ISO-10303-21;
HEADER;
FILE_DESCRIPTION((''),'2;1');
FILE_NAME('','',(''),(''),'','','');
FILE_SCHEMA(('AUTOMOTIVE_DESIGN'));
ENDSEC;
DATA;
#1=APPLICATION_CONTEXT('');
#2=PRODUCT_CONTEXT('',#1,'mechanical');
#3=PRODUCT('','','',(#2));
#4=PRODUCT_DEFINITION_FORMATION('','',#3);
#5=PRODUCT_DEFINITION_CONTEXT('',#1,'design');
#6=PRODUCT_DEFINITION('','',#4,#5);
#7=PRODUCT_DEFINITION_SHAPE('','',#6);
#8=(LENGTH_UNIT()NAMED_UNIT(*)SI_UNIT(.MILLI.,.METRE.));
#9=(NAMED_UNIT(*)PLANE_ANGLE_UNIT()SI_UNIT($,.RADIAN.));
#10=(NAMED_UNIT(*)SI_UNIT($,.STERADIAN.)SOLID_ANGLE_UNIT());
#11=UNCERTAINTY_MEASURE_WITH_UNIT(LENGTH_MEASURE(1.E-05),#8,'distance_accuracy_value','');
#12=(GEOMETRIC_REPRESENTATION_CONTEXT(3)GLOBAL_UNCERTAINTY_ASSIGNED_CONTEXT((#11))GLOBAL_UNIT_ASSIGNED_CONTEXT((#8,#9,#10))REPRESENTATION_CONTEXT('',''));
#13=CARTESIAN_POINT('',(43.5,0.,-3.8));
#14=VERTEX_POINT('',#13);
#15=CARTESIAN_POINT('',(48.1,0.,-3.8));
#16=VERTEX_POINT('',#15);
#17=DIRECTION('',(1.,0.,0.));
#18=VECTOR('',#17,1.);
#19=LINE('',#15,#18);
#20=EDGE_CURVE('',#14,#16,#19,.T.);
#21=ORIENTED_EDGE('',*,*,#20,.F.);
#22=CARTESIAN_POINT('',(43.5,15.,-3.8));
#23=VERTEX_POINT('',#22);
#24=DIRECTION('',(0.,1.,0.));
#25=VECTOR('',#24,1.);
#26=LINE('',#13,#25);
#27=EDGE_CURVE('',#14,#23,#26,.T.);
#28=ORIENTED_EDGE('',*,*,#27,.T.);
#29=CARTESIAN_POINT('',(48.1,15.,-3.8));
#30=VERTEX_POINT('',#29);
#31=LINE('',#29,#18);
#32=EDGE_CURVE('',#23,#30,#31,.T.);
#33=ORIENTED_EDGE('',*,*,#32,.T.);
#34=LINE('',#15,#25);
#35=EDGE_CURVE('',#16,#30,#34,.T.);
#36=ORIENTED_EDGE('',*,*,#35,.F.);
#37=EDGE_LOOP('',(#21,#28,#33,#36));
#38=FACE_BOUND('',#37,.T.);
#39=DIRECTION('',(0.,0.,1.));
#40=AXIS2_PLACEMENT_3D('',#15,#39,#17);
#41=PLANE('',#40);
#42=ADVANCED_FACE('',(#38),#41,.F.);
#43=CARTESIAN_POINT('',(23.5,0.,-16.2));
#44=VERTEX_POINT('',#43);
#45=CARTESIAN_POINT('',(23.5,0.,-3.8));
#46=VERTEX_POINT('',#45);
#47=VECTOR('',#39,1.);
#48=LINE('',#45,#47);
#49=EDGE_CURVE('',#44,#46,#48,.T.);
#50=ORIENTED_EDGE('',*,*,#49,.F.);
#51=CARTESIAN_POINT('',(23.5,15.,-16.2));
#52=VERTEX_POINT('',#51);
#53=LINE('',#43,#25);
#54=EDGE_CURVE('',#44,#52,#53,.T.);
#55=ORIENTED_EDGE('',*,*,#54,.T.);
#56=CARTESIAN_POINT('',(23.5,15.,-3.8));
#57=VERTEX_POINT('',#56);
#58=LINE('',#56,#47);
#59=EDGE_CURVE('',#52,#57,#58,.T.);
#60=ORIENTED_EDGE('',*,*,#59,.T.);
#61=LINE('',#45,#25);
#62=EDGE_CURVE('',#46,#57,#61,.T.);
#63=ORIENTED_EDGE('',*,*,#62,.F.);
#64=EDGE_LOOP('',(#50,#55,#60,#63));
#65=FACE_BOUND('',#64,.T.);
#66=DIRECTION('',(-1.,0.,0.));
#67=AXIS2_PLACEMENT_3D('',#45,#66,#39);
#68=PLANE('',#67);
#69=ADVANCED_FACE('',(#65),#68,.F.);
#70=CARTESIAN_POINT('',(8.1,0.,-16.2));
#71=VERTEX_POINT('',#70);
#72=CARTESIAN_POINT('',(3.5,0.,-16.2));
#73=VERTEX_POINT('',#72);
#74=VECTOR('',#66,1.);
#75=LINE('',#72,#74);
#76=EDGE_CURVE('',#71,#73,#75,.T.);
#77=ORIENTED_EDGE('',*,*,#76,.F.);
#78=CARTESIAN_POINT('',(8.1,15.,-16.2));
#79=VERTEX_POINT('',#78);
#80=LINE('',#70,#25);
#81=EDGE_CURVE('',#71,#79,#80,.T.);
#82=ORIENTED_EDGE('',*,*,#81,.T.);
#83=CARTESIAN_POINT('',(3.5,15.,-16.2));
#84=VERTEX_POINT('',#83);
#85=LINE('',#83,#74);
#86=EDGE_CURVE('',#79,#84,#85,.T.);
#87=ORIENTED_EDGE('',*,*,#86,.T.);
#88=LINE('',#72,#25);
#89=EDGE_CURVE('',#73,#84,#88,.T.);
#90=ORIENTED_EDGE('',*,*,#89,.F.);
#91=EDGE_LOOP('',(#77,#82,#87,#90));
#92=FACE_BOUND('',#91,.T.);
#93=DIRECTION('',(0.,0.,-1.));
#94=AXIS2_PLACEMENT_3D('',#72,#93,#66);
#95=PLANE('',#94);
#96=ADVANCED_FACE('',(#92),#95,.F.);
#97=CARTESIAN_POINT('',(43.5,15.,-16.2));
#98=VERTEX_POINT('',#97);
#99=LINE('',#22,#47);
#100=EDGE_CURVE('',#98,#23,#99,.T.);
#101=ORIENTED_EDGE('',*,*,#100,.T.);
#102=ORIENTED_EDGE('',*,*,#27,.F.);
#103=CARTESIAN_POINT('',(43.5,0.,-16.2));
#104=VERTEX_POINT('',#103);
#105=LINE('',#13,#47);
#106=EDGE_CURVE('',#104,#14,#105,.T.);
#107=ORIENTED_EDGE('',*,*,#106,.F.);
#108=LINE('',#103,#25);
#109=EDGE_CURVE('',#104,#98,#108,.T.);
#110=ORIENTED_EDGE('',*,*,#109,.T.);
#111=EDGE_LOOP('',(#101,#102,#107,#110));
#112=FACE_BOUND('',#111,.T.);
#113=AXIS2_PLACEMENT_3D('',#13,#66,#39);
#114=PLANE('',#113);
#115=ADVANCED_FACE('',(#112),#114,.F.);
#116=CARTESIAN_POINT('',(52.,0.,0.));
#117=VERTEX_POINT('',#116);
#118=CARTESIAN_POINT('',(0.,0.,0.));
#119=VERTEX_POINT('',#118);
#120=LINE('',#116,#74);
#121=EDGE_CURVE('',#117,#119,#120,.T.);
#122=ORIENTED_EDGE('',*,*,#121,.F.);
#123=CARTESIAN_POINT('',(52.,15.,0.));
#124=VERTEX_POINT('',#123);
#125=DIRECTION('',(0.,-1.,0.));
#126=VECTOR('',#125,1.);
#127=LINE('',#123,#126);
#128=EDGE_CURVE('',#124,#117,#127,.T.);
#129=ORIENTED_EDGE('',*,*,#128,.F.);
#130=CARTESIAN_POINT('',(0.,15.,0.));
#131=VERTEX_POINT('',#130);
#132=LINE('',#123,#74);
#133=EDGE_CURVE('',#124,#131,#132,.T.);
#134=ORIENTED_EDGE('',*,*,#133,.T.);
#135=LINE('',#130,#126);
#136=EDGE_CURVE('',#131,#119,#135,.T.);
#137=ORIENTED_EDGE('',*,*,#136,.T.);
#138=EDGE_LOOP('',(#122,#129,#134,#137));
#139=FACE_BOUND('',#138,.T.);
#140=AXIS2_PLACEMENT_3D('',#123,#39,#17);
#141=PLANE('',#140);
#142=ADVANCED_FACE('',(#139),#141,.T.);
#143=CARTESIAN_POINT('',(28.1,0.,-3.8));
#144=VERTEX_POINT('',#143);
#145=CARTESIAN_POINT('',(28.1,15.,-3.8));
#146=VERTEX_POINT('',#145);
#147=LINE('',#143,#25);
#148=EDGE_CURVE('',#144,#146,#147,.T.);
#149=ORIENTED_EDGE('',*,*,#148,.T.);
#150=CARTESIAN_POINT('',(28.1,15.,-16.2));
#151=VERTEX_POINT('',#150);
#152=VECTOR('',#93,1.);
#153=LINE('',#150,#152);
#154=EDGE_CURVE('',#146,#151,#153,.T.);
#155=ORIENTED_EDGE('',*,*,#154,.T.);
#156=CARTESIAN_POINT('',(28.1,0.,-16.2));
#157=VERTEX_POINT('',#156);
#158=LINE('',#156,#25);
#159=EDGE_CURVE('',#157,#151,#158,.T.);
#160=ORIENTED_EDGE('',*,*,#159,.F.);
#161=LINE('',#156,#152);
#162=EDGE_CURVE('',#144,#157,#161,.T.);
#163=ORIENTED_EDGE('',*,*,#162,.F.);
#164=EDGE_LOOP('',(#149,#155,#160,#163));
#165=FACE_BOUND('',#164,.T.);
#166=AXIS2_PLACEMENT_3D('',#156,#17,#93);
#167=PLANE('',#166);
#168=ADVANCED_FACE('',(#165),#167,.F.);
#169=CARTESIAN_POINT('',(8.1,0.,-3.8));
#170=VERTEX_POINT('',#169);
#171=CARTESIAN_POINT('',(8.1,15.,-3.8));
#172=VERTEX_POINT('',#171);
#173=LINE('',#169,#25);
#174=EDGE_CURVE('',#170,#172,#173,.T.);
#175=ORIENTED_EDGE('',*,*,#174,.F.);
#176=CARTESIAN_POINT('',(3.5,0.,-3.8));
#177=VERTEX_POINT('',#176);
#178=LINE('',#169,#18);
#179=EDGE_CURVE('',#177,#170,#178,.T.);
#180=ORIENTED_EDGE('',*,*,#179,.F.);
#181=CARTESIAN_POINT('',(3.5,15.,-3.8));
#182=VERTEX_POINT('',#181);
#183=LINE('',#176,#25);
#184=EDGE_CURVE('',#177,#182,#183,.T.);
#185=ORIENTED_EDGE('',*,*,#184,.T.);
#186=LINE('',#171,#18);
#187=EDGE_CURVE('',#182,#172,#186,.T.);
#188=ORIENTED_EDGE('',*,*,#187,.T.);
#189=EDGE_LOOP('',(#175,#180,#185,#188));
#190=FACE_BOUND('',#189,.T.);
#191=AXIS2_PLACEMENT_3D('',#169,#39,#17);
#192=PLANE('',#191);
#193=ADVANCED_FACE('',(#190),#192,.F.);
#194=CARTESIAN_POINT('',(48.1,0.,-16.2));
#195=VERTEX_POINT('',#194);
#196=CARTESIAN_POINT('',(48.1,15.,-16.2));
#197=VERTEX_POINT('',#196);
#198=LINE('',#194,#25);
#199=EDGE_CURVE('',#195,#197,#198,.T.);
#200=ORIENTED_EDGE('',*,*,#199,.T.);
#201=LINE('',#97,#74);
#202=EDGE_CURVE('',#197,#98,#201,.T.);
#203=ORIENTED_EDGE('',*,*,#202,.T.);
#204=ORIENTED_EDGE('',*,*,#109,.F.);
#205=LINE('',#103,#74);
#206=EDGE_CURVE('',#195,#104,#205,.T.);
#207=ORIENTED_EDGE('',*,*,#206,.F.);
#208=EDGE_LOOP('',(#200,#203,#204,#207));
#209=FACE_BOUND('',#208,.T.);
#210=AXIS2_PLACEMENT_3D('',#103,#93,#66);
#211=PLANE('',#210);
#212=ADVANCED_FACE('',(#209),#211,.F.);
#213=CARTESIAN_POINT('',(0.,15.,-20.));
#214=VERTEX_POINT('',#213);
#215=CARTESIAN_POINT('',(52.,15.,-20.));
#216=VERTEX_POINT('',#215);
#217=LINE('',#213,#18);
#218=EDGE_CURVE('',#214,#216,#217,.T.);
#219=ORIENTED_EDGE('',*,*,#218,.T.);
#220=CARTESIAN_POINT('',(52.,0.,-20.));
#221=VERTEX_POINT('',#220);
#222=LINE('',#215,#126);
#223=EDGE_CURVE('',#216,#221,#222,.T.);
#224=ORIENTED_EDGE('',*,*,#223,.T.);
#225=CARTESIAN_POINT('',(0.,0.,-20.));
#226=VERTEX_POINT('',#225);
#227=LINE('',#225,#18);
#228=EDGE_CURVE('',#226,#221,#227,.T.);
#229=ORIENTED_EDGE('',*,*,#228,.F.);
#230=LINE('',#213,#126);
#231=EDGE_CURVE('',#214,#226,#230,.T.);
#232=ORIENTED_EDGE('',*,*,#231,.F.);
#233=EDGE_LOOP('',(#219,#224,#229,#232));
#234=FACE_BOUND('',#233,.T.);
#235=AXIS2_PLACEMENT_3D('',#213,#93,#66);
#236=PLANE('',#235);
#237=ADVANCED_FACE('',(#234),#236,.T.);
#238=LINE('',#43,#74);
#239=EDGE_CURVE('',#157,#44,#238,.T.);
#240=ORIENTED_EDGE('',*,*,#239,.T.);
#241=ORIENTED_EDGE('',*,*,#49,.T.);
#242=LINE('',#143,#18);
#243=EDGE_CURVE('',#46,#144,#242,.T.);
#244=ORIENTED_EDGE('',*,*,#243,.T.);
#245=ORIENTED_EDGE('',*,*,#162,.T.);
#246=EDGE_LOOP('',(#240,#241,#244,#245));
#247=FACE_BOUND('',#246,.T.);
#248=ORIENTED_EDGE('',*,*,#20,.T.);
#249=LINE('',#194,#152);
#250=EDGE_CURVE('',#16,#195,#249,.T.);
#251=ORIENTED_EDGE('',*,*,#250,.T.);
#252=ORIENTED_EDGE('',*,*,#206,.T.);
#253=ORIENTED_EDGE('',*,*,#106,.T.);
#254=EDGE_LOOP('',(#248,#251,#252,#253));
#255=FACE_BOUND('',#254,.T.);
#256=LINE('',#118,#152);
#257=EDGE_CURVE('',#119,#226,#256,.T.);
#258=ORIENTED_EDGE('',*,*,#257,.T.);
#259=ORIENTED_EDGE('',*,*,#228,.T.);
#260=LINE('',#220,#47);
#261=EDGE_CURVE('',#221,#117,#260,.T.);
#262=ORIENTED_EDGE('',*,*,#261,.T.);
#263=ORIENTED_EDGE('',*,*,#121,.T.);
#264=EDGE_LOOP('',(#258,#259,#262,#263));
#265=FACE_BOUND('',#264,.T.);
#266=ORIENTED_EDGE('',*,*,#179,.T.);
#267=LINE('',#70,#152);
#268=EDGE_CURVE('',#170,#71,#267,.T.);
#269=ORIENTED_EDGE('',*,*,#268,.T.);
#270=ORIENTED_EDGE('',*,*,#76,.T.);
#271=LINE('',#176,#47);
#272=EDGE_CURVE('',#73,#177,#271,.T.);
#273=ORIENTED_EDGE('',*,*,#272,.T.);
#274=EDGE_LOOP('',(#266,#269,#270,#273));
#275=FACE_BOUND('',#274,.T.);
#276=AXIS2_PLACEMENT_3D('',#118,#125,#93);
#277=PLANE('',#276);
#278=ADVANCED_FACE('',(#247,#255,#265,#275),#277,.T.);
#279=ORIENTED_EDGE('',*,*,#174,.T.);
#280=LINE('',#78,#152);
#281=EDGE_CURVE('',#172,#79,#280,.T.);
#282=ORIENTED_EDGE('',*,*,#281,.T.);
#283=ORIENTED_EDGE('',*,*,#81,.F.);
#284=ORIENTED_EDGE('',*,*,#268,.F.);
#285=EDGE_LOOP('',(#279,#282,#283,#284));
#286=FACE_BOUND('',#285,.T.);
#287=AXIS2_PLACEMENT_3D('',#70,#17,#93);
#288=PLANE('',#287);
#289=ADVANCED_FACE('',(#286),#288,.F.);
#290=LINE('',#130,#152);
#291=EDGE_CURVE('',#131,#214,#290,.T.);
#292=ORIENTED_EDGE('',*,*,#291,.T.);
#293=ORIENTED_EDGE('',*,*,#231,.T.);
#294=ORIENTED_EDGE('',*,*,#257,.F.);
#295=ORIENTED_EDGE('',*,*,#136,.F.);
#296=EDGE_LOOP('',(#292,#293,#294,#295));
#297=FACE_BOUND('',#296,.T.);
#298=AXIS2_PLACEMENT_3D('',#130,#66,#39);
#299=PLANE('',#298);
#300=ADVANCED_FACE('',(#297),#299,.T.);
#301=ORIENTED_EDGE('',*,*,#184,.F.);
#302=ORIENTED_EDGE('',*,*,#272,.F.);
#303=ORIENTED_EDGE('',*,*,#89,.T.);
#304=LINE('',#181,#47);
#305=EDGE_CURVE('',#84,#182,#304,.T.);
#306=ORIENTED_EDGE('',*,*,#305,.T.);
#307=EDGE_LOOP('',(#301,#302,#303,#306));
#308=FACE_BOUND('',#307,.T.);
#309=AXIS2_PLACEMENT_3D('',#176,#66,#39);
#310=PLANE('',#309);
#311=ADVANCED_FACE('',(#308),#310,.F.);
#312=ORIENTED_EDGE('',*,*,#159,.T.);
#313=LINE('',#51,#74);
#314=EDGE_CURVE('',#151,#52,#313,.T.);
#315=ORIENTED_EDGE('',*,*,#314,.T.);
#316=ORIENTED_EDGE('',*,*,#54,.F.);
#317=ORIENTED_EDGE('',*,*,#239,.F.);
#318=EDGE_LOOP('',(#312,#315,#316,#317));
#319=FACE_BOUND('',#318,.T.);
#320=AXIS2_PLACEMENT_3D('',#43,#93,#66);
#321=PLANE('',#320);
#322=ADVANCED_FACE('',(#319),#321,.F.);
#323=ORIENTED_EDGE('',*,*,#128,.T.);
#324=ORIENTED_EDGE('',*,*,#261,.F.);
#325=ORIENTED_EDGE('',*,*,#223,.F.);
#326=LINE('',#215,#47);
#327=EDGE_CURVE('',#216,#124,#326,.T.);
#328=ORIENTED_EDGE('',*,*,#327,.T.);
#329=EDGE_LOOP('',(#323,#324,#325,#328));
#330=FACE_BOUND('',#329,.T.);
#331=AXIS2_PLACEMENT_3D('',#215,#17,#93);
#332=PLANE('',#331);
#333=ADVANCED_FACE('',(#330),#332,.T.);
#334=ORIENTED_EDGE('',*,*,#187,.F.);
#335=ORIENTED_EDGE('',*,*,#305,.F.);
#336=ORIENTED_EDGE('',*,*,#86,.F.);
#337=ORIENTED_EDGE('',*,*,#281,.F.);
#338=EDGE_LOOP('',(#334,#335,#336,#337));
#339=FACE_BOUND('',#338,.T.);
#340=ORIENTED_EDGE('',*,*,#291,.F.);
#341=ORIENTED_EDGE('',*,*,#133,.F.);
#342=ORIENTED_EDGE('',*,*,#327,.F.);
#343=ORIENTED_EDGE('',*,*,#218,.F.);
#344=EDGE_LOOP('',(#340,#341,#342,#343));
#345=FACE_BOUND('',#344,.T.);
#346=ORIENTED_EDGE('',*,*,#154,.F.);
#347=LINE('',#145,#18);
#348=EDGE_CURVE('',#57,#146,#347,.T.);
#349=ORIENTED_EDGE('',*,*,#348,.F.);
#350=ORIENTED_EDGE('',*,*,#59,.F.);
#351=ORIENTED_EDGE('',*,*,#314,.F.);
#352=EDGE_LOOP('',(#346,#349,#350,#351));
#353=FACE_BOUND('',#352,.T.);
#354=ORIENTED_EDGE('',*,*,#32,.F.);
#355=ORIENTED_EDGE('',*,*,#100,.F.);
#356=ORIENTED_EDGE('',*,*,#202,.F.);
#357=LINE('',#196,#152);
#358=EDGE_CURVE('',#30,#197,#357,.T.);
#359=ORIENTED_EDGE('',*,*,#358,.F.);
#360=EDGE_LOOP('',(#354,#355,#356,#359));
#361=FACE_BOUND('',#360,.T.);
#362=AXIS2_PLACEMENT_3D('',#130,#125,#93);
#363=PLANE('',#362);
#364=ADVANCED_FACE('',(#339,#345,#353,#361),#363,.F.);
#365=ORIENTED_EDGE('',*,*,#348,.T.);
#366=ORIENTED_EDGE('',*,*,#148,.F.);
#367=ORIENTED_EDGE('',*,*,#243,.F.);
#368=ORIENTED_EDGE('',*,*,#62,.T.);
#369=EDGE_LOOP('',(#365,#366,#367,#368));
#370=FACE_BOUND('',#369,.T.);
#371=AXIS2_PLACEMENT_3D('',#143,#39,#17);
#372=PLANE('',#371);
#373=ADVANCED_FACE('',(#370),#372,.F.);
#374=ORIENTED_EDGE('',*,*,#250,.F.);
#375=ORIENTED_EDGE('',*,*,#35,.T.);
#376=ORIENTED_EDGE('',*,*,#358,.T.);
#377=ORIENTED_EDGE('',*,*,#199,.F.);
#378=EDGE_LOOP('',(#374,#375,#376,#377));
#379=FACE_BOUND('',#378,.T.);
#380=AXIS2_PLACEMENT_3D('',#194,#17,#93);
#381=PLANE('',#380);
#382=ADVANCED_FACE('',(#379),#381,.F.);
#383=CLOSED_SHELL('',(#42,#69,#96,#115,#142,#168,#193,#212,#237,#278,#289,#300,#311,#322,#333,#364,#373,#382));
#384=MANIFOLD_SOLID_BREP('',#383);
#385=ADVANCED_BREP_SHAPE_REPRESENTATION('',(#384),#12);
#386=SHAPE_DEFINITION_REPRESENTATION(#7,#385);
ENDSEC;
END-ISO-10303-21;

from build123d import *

# Parameters (mm, degrees)
CROQUIS1_W              = 52
CROQUIS1_H              = 20
SALIENTE_EXTRUIR1_DEPTH = 15
CROQUIS2_W              = 4.6
CROQUIS2_H              = 12.4
CORTAR_EXTRUIR1_DEPTH   = 58.697486947


with BuildPart() as part:
    # Croquis1 → Saliente-Extruir1 (new body)
    with BuildSketch(Plane(origin=(0, 0, 0), x_dir=(1, 0, 0), z_dir=(0, 1, 0))):
        with Locations((26, 10)):
            Rectangle(CROQUIS1_W, CROQUIS1_H)
    extrude(amount=SALIENTE_EXTRUIR1_DEPTH)

    # Croquis2 → Cortar-Extruir1 (cut, through all)
    with BuildSketch(Plane(origin=(0, 15, 0), x_dir=(1, 0, 0), z_dir=(0, 1, 0))):
        with Locations((5.8, 10)):
            Rectangle(CROQUIS2_W, CROQUIS2_H)
        with Locations((45.8, 10)):
            Rectangle(CROQUIS2_W, CROQUIS2_H)
        with Locations((25.8, 10)):
            Rectangle(CROQUIS2_W, CROQUIS2_H)
    extrude(amount=-CORTAR_EXTRUIR1_DEPTH, mode=Mode.SUBTRACT)


solid = part.part
